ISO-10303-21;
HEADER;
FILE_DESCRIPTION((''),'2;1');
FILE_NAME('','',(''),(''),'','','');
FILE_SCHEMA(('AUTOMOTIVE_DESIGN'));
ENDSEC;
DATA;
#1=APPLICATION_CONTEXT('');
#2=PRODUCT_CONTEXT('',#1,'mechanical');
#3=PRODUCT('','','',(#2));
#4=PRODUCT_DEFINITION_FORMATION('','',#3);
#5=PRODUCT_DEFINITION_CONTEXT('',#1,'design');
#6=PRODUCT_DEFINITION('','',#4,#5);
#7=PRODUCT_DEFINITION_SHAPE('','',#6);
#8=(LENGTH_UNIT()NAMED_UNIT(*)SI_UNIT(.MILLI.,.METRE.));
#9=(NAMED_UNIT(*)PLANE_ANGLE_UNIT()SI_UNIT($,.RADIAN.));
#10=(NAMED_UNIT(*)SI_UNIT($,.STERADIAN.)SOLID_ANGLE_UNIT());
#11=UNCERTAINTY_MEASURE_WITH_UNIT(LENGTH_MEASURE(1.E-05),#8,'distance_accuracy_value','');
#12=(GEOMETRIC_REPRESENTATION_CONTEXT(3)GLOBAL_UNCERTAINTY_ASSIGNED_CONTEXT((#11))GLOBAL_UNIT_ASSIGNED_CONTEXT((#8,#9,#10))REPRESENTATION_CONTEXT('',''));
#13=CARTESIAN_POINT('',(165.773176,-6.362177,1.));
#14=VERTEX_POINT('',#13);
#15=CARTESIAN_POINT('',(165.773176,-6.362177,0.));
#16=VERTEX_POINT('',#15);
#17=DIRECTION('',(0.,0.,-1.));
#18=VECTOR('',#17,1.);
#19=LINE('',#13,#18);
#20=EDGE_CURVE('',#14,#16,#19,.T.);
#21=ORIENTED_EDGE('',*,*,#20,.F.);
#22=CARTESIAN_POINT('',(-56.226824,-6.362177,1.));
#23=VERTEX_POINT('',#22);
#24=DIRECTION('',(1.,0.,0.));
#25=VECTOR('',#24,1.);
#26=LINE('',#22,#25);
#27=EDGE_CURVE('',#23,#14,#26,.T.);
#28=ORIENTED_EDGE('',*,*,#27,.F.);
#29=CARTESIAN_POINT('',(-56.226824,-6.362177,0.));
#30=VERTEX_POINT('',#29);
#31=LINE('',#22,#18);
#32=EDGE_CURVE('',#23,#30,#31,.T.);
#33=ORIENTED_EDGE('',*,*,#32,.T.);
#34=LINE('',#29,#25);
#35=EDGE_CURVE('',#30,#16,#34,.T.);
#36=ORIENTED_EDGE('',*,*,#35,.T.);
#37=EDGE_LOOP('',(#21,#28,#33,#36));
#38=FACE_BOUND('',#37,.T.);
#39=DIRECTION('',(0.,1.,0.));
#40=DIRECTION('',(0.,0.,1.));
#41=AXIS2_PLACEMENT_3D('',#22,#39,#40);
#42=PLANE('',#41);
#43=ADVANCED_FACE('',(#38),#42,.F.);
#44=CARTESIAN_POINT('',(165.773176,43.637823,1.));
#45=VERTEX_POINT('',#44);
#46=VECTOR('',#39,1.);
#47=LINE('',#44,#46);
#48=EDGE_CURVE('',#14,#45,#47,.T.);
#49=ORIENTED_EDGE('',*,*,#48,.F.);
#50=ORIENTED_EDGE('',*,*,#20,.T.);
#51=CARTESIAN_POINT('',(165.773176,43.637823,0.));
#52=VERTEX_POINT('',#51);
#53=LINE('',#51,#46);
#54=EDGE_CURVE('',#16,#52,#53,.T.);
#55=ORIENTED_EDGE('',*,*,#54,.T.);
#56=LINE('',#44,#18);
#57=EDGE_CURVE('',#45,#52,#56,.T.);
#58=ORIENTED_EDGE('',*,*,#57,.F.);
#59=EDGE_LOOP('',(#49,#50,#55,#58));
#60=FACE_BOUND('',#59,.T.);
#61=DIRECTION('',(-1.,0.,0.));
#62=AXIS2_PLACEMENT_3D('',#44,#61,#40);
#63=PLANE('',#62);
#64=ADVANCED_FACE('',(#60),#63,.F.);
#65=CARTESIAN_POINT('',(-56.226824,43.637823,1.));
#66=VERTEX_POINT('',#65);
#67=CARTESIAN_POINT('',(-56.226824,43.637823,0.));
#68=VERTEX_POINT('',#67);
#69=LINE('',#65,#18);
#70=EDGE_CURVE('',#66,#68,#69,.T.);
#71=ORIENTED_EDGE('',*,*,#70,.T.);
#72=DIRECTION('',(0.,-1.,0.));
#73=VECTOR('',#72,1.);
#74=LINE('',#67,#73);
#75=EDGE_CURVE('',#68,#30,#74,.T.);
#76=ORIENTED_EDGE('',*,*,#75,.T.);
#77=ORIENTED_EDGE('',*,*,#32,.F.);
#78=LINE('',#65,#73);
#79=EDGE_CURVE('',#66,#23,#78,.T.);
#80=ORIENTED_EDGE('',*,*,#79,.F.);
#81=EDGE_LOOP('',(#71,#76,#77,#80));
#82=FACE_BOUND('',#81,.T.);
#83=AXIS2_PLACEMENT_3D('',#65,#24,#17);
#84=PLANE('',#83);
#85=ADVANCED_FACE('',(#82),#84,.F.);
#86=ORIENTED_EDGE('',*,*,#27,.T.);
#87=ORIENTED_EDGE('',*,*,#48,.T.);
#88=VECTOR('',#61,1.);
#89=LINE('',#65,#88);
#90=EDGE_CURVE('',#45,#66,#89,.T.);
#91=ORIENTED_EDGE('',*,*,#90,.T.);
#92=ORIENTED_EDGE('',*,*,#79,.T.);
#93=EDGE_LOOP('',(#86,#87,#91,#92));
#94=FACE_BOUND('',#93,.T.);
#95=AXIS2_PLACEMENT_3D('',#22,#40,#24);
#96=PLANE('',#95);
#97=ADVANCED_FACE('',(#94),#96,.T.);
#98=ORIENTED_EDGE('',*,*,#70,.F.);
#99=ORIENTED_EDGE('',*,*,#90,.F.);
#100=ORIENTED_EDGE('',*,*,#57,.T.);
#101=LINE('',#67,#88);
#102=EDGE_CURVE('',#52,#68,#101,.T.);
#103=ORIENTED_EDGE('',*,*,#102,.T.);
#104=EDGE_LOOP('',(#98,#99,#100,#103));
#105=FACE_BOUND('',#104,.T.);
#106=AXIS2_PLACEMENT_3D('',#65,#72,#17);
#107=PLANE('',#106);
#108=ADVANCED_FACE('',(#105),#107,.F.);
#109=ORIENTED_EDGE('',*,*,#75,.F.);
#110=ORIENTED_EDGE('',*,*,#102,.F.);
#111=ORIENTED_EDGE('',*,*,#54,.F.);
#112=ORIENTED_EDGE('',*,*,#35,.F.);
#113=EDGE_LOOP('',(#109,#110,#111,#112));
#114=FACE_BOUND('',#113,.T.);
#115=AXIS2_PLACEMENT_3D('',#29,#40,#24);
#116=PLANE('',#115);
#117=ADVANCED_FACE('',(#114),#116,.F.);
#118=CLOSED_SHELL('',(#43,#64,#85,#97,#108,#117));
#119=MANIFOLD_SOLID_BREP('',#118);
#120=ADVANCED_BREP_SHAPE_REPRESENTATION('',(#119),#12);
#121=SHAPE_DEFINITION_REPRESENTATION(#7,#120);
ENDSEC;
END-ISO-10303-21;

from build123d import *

# Parameters (mm, degrees)
SKETCH1_W           = 222
SKETCH1_H           = 50
BOSS_EXTRUDE1_DEPTH = 1


with BuildPart() as part:
    # Sketch1 → Boss-Extrude1 (new body)
    with BuildSketch(Plane.XY):
        with Locations((54.773176128, 18.637823085)):
            Rectangle(SKETCH1_W, SKETCH1_H)
    extrude(amount=BOSS_EXTRUDE1_DEPTH)


solid = part.part
